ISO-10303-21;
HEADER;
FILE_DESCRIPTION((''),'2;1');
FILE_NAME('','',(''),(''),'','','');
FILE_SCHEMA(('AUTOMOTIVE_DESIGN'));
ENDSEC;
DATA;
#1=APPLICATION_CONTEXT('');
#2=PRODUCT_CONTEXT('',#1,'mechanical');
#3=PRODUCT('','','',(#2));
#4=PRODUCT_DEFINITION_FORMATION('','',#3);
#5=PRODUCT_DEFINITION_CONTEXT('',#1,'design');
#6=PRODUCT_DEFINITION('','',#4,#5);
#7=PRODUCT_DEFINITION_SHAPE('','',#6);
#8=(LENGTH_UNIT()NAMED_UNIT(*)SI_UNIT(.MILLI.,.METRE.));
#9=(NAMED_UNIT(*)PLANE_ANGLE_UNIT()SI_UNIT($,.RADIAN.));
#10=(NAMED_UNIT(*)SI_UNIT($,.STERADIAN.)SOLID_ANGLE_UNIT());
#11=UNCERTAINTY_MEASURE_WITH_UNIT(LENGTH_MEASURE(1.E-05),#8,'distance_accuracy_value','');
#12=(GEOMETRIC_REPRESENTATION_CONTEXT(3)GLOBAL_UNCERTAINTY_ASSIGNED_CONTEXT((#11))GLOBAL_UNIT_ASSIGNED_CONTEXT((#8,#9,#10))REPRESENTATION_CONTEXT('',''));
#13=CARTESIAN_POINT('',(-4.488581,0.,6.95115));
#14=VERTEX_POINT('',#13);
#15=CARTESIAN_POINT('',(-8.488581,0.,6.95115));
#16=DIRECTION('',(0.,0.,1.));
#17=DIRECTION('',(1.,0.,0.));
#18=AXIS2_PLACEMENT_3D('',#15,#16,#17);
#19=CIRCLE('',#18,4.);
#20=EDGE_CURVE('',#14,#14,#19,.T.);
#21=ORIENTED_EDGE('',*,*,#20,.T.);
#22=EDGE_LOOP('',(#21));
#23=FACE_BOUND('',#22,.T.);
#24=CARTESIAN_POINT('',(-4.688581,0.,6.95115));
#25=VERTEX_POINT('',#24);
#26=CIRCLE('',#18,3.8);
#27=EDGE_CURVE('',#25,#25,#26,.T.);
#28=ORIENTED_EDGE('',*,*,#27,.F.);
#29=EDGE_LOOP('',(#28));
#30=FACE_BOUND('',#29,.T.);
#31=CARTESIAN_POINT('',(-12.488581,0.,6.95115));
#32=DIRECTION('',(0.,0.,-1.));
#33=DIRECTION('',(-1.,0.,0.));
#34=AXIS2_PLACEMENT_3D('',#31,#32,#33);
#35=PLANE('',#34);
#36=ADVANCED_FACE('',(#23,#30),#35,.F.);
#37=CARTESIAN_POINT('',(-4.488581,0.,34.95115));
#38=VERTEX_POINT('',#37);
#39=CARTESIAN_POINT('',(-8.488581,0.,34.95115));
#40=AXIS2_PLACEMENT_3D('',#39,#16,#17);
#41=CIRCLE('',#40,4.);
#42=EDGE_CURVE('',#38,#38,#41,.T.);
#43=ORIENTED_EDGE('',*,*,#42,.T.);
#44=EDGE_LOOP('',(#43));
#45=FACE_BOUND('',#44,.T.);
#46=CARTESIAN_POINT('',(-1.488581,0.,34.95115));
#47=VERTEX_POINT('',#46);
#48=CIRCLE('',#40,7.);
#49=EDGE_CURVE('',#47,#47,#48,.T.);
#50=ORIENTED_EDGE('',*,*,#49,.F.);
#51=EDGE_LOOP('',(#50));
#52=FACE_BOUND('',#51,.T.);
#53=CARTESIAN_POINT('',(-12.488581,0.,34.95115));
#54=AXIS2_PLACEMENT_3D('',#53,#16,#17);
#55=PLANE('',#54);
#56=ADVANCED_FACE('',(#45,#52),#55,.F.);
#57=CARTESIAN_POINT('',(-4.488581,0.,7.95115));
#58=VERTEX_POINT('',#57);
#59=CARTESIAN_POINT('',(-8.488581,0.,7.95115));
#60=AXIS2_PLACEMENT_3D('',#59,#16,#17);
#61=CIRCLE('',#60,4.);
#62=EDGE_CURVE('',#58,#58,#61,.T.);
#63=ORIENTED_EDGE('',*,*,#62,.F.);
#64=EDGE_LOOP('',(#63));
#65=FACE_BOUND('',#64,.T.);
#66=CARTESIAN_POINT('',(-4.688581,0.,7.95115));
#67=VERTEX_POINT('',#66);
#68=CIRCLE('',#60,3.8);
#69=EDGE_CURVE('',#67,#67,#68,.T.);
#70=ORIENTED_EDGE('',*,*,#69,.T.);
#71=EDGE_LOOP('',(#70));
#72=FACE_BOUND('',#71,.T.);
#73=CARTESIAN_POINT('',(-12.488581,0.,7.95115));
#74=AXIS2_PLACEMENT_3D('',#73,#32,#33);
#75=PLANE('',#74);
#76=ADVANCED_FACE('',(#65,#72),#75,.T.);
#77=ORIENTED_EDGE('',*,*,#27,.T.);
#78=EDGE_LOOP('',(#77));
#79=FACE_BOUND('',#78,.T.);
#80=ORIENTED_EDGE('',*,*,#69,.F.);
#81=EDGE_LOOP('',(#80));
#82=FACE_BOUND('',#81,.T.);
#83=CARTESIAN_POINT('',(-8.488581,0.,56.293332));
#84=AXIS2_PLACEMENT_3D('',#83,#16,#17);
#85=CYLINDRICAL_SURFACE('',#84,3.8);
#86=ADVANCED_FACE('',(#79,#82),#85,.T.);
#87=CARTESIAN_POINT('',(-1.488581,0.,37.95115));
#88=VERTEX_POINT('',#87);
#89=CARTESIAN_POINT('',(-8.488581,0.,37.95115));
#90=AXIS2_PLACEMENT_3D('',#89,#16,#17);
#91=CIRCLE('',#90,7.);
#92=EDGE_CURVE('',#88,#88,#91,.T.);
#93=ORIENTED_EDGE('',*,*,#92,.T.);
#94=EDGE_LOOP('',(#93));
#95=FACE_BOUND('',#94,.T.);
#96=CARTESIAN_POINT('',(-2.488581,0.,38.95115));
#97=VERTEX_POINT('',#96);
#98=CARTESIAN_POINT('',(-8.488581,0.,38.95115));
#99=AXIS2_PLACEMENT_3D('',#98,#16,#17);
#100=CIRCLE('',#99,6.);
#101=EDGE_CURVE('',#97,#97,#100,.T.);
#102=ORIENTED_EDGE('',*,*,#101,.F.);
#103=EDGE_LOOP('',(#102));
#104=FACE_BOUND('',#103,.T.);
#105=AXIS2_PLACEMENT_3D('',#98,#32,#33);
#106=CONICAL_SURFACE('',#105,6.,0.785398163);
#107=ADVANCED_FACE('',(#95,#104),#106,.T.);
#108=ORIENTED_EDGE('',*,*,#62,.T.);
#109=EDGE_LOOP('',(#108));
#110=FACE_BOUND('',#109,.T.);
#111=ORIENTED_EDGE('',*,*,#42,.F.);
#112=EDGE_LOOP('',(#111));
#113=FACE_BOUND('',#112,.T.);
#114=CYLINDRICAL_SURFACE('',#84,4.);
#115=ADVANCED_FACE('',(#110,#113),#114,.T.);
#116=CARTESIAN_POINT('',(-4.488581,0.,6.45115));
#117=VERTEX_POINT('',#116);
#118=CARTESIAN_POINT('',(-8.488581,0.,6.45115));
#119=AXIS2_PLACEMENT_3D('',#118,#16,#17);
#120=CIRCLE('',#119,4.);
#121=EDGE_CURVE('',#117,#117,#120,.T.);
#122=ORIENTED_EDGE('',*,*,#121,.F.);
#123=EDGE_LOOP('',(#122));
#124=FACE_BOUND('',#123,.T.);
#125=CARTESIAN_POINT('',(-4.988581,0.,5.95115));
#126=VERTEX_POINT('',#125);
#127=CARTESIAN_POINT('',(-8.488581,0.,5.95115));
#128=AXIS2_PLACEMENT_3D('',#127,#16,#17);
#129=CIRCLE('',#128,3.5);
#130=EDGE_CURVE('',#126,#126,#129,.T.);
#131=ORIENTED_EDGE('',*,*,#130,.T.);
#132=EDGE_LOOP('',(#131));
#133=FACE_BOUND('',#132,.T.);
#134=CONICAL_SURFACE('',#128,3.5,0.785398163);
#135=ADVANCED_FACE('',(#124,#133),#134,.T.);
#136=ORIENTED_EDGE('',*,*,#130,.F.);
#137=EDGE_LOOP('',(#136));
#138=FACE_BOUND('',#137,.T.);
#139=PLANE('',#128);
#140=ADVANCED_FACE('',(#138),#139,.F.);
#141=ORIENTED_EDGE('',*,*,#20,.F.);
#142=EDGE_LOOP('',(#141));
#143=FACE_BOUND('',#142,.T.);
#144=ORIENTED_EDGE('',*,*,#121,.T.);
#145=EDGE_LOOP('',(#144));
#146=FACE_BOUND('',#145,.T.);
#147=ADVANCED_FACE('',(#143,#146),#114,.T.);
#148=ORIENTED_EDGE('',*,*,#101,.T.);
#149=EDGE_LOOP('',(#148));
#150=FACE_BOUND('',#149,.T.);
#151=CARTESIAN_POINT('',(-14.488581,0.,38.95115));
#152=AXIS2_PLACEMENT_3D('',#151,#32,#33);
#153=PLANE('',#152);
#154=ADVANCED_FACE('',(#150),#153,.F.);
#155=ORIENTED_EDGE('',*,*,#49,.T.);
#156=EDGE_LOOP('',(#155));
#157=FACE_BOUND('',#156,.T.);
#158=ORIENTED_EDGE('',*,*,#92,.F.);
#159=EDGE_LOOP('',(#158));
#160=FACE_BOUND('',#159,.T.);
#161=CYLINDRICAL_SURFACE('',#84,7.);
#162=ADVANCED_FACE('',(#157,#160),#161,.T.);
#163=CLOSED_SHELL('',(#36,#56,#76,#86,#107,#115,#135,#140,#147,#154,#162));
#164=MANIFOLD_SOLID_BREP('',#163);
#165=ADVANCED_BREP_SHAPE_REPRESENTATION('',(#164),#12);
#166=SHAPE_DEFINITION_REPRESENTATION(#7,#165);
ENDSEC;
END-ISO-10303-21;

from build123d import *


with BuildPart() as part:
    # Esquisse3 → Base-Révolution (revolve)
    with BuildSketch(Plane(origin=(0, 0, 0), x_dir=(1, 0, 0), z_dir=(0, 1, 0)), mode=Mode.PRIVATE) as base_r_volution_sk:
        Polygon((-14.488580903, -38.951150448), (-8.488580903, -38.951150448), (-8.488580903, -5.951150448), (-11.988580903, -5.951150448), (-12.488580903, -6.451150448), (-12.488580903, -6.951150448), (-12.288580903, -6.951150448), (-12.288580903, -7.951150448), (-12.488580903, -7.951150448), (-12.488580903, -34.951150448), (-15.488580903, -34.951150448), (-15.488580903, -37.951150448), align=None)
    revolve(base_r_volution_sk.sketch.rotate(Axis((-8.488580903, 0, 56.293331626), (0, 0, -1)), 180), axis=Axis((-8.488580903, 0, 56.293331626), (0, 0, -1)))


solid = part.part
